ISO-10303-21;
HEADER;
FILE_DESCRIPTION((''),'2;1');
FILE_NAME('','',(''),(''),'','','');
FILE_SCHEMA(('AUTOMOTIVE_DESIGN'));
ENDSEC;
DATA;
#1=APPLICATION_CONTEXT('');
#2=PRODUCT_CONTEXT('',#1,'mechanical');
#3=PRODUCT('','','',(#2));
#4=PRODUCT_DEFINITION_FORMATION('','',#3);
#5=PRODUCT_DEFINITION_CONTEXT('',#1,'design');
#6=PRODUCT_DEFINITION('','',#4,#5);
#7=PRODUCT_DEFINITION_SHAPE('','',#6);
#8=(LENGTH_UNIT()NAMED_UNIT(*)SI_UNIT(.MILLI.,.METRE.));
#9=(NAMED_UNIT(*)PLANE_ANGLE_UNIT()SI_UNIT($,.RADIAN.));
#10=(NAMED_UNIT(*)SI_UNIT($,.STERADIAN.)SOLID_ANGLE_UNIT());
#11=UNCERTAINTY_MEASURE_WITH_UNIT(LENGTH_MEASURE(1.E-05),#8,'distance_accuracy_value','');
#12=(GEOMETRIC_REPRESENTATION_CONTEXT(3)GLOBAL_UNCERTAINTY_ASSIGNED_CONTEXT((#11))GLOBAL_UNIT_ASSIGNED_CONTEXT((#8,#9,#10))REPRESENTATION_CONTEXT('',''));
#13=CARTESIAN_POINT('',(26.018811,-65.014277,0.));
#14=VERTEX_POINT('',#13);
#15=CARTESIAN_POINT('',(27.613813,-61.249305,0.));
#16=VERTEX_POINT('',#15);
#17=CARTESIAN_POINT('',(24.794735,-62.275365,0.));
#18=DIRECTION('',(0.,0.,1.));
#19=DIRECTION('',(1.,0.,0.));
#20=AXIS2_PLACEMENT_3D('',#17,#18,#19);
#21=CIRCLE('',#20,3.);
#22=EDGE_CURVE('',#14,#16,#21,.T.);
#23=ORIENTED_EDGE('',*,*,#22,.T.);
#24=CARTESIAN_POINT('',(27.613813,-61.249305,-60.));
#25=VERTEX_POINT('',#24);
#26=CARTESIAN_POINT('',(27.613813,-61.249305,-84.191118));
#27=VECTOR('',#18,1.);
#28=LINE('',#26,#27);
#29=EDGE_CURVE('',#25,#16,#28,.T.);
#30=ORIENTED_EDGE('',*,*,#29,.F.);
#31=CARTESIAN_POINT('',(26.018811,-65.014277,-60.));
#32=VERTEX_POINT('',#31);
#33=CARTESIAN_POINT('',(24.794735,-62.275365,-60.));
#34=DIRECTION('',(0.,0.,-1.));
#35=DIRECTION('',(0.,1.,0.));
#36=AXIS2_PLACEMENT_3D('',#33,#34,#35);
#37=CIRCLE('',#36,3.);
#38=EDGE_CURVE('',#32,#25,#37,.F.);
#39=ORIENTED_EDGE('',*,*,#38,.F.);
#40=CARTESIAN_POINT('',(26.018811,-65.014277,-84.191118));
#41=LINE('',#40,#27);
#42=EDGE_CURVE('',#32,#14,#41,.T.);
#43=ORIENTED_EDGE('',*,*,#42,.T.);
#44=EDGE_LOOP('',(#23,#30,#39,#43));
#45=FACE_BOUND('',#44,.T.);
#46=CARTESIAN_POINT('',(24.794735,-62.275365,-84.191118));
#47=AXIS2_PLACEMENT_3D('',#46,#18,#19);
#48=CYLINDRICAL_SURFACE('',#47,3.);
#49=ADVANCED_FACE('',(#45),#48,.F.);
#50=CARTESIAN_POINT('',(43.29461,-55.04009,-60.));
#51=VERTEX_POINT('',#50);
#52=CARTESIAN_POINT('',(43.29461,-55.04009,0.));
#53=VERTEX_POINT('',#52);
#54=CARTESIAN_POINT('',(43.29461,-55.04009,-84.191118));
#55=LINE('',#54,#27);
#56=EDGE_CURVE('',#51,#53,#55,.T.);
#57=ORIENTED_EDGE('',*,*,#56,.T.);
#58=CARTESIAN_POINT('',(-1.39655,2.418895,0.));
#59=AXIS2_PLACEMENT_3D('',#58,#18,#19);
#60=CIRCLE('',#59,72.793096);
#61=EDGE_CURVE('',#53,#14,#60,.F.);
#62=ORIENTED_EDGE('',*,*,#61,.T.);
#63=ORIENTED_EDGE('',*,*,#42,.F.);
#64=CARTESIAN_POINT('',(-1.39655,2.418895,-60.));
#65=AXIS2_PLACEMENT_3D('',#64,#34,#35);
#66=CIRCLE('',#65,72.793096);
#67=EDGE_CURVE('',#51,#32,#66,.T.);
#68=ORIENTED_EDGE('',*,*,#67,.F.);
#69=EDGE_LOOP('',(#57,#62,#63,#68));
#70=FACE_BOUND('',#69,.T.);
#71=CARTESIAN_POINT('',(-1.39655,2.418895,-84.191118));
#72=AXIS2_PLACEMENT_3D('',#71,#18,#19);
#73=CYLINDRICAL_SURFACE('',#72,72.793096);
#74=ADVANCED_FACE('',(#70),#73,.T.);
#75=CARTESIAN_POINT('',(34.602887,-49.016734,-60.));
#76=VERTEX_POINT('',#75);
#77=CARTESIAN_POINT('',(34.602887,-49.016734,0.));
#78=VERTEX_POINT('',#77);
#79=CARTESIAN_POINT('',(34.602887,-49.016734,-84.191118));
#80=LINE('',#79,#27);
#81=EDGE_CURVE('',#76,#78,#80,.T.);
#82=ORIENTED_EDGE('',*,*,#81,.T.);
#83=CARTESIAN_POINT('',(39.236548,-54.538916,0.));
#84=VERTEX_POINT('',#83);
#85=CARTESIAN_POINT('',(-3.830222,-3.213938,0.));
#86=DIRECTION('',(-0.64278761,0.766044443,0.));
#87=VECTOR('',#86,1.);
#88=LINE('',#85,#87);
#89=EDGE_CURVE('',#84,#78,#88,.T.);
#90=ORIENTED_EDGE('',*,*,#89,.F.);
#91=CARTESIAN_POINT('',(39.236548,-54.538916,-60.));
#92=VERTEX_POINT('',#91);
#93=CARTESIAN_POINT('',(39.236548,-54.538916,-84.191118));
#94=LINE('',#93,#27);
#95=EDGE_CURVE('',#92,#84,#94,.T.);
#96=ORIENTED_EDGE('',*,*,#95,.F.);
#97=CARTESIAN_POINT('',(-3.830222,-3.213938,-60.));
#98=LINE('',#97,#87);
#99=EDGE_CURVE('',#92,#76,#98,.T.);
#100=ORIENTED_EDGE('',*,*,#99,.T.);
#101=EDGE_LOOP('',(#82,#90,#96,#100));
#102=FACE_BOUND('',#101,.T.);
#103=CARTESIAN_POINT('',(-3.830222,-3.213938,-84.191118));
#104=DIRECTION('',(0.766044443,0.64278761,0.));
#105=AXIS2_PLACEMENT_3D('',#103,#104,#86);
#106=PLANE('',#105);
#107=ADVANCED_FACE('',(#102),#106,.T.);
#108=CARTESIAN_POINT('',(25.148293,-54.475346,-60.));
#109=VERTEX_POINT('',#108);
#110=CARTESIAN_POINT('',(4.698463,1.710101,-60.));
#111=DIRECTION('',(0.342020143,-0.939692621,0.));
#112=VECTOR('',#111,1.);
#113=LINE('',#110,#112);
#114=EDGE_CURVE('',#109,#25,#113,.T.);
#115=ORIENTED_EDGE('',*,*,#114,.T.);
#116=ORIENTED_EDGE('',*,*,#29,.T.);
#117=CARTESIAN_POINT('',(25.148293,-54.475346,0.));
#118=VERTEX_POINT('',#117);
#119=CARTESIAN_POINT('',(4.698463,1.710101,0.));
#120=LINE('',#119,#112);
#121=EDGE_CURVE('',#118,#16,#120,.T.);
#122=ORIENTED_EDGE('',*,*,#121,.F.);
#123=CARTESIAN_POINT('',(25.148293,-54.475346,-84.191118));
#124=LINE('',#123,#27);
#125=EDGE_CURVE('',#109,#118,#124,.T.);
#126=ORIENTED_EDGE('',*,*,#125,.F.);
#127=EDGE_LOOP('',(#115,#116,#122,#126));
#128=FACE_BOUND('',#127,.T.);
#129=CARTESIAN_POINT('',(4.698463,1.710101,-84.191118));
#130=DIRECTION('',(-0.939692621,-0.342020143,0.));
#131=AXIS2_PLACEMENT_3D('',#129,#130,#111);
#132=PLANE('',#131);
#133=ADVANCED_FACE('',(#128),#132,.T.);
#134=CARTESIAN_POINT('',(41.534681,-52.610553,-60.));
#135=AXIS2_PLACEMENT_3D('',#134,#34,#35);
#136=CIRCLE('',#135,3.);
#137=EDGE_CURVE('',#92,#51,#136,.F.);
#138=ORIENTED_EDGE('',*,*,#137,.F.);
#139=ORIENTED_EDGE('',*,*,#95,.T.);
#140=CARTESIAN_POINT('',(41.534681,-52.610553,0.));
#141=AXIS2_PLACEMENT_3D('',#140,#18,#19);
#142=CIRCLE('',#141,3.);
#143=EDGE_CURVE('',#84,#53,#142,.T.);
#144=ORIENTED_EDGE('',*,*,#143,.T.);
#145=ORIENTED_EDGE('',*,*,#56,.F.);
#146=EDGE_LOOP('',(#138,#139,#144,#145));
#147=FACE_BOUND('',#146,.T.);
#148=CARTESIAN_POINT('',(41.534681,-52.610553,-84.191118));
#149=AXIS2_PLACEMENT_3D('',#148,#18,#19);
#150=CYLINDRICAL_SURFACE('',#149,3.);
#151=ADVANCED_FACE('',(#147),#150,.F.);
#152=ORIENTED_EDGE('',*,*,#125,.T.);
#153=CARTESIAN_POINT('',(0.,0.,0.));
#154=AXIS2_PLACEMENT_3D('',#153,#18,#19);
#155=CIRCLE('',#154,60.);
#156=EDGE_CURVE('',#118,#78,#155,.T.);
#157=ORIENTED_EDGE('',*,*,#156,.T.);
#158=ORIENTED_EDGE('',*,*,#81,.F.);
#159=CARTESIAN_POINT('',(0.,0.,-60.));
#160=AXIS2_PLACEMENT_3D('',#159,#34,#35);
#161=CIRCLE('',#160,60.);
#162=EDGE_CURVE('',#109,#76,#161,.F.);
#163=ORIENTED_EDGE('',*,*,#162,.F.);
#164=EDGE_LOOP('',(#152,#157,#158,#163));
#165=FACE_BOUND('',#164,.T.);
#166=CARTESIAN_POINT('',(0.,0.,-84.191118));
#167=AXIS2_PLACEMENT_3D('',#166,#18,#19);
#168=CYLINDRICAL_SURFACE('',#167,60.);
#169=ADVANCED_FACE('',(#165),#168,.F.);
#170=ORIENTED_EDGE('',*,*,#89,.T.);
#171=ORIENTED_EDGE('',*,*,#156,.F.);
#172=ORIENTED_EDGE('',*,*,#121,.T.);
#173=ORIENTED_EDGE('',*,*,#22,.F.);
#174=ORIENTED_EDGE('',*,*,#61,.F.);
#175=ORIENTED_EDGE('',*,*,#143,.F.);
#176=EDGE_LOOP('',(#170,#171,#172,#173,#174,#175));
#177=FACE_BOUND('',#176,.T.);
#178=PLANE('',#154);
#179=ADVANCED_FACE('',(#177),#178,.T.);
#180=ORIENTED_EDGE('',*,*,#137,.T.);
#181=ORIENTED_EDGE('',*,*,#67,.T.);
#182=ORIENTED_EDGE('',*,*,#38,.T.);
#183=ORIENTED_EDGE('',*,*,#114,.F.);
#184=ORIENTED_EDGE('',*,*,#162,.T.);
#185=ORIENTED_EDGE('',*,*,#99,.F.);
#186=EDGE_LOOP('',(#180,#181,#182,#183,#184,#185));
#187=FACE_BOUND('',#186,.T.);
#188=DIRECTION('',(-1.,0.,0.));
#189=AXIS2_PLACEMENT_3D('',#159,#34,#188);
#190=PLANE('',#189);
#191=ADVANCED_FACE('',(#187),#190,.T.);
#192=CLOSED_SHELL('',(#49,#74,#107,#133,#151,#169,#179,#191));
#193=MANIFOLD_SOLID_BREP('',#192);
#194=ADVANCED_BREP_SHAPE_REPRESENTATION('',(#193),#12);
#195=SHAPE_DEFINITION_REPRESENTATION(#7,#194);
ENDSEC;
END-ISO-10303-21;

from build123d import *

# Parameters (mm, degrees)
BOSS_EXTRUDE1_START = -60
BOSS_EXTRUDE1_DEPTH = 60


with BuildPart() as part:
    # Sketch1 → Boss-Extrude1 (new body)
    with BuildSketch(Plane.XY.offset(BOSS_EXTRUDE1_START)):
        with BuildLine():
            ThreePointArc((34.60288698, -49.016734007), (30, -51.961524227), (25.14829337, -54.475346172))
            Line((25.14829337, -54.475346172), (27.613812707, -61.249304876))
            ThreePointArc((27.613812707, -61.249304876), (27.55707569, -63.445610174), (26.01881055, -65.014277255))
            ThreePointArc((26.01881055, -65.014277255), (34.999997878, -60.621774589), (43.294610437, -55.040089541))
            ThreePointArc((43.294610437, -55.040089541), (41.166972324, -55.587932689), (39.236547633, -54.538915737))
            Line((39.236547633, -54.538915737), (34.60288698, -49.016734007))
        make_face()
    extrude(amount=BOSS_EXTRUDE1_DEPTH)


solid = part.part
